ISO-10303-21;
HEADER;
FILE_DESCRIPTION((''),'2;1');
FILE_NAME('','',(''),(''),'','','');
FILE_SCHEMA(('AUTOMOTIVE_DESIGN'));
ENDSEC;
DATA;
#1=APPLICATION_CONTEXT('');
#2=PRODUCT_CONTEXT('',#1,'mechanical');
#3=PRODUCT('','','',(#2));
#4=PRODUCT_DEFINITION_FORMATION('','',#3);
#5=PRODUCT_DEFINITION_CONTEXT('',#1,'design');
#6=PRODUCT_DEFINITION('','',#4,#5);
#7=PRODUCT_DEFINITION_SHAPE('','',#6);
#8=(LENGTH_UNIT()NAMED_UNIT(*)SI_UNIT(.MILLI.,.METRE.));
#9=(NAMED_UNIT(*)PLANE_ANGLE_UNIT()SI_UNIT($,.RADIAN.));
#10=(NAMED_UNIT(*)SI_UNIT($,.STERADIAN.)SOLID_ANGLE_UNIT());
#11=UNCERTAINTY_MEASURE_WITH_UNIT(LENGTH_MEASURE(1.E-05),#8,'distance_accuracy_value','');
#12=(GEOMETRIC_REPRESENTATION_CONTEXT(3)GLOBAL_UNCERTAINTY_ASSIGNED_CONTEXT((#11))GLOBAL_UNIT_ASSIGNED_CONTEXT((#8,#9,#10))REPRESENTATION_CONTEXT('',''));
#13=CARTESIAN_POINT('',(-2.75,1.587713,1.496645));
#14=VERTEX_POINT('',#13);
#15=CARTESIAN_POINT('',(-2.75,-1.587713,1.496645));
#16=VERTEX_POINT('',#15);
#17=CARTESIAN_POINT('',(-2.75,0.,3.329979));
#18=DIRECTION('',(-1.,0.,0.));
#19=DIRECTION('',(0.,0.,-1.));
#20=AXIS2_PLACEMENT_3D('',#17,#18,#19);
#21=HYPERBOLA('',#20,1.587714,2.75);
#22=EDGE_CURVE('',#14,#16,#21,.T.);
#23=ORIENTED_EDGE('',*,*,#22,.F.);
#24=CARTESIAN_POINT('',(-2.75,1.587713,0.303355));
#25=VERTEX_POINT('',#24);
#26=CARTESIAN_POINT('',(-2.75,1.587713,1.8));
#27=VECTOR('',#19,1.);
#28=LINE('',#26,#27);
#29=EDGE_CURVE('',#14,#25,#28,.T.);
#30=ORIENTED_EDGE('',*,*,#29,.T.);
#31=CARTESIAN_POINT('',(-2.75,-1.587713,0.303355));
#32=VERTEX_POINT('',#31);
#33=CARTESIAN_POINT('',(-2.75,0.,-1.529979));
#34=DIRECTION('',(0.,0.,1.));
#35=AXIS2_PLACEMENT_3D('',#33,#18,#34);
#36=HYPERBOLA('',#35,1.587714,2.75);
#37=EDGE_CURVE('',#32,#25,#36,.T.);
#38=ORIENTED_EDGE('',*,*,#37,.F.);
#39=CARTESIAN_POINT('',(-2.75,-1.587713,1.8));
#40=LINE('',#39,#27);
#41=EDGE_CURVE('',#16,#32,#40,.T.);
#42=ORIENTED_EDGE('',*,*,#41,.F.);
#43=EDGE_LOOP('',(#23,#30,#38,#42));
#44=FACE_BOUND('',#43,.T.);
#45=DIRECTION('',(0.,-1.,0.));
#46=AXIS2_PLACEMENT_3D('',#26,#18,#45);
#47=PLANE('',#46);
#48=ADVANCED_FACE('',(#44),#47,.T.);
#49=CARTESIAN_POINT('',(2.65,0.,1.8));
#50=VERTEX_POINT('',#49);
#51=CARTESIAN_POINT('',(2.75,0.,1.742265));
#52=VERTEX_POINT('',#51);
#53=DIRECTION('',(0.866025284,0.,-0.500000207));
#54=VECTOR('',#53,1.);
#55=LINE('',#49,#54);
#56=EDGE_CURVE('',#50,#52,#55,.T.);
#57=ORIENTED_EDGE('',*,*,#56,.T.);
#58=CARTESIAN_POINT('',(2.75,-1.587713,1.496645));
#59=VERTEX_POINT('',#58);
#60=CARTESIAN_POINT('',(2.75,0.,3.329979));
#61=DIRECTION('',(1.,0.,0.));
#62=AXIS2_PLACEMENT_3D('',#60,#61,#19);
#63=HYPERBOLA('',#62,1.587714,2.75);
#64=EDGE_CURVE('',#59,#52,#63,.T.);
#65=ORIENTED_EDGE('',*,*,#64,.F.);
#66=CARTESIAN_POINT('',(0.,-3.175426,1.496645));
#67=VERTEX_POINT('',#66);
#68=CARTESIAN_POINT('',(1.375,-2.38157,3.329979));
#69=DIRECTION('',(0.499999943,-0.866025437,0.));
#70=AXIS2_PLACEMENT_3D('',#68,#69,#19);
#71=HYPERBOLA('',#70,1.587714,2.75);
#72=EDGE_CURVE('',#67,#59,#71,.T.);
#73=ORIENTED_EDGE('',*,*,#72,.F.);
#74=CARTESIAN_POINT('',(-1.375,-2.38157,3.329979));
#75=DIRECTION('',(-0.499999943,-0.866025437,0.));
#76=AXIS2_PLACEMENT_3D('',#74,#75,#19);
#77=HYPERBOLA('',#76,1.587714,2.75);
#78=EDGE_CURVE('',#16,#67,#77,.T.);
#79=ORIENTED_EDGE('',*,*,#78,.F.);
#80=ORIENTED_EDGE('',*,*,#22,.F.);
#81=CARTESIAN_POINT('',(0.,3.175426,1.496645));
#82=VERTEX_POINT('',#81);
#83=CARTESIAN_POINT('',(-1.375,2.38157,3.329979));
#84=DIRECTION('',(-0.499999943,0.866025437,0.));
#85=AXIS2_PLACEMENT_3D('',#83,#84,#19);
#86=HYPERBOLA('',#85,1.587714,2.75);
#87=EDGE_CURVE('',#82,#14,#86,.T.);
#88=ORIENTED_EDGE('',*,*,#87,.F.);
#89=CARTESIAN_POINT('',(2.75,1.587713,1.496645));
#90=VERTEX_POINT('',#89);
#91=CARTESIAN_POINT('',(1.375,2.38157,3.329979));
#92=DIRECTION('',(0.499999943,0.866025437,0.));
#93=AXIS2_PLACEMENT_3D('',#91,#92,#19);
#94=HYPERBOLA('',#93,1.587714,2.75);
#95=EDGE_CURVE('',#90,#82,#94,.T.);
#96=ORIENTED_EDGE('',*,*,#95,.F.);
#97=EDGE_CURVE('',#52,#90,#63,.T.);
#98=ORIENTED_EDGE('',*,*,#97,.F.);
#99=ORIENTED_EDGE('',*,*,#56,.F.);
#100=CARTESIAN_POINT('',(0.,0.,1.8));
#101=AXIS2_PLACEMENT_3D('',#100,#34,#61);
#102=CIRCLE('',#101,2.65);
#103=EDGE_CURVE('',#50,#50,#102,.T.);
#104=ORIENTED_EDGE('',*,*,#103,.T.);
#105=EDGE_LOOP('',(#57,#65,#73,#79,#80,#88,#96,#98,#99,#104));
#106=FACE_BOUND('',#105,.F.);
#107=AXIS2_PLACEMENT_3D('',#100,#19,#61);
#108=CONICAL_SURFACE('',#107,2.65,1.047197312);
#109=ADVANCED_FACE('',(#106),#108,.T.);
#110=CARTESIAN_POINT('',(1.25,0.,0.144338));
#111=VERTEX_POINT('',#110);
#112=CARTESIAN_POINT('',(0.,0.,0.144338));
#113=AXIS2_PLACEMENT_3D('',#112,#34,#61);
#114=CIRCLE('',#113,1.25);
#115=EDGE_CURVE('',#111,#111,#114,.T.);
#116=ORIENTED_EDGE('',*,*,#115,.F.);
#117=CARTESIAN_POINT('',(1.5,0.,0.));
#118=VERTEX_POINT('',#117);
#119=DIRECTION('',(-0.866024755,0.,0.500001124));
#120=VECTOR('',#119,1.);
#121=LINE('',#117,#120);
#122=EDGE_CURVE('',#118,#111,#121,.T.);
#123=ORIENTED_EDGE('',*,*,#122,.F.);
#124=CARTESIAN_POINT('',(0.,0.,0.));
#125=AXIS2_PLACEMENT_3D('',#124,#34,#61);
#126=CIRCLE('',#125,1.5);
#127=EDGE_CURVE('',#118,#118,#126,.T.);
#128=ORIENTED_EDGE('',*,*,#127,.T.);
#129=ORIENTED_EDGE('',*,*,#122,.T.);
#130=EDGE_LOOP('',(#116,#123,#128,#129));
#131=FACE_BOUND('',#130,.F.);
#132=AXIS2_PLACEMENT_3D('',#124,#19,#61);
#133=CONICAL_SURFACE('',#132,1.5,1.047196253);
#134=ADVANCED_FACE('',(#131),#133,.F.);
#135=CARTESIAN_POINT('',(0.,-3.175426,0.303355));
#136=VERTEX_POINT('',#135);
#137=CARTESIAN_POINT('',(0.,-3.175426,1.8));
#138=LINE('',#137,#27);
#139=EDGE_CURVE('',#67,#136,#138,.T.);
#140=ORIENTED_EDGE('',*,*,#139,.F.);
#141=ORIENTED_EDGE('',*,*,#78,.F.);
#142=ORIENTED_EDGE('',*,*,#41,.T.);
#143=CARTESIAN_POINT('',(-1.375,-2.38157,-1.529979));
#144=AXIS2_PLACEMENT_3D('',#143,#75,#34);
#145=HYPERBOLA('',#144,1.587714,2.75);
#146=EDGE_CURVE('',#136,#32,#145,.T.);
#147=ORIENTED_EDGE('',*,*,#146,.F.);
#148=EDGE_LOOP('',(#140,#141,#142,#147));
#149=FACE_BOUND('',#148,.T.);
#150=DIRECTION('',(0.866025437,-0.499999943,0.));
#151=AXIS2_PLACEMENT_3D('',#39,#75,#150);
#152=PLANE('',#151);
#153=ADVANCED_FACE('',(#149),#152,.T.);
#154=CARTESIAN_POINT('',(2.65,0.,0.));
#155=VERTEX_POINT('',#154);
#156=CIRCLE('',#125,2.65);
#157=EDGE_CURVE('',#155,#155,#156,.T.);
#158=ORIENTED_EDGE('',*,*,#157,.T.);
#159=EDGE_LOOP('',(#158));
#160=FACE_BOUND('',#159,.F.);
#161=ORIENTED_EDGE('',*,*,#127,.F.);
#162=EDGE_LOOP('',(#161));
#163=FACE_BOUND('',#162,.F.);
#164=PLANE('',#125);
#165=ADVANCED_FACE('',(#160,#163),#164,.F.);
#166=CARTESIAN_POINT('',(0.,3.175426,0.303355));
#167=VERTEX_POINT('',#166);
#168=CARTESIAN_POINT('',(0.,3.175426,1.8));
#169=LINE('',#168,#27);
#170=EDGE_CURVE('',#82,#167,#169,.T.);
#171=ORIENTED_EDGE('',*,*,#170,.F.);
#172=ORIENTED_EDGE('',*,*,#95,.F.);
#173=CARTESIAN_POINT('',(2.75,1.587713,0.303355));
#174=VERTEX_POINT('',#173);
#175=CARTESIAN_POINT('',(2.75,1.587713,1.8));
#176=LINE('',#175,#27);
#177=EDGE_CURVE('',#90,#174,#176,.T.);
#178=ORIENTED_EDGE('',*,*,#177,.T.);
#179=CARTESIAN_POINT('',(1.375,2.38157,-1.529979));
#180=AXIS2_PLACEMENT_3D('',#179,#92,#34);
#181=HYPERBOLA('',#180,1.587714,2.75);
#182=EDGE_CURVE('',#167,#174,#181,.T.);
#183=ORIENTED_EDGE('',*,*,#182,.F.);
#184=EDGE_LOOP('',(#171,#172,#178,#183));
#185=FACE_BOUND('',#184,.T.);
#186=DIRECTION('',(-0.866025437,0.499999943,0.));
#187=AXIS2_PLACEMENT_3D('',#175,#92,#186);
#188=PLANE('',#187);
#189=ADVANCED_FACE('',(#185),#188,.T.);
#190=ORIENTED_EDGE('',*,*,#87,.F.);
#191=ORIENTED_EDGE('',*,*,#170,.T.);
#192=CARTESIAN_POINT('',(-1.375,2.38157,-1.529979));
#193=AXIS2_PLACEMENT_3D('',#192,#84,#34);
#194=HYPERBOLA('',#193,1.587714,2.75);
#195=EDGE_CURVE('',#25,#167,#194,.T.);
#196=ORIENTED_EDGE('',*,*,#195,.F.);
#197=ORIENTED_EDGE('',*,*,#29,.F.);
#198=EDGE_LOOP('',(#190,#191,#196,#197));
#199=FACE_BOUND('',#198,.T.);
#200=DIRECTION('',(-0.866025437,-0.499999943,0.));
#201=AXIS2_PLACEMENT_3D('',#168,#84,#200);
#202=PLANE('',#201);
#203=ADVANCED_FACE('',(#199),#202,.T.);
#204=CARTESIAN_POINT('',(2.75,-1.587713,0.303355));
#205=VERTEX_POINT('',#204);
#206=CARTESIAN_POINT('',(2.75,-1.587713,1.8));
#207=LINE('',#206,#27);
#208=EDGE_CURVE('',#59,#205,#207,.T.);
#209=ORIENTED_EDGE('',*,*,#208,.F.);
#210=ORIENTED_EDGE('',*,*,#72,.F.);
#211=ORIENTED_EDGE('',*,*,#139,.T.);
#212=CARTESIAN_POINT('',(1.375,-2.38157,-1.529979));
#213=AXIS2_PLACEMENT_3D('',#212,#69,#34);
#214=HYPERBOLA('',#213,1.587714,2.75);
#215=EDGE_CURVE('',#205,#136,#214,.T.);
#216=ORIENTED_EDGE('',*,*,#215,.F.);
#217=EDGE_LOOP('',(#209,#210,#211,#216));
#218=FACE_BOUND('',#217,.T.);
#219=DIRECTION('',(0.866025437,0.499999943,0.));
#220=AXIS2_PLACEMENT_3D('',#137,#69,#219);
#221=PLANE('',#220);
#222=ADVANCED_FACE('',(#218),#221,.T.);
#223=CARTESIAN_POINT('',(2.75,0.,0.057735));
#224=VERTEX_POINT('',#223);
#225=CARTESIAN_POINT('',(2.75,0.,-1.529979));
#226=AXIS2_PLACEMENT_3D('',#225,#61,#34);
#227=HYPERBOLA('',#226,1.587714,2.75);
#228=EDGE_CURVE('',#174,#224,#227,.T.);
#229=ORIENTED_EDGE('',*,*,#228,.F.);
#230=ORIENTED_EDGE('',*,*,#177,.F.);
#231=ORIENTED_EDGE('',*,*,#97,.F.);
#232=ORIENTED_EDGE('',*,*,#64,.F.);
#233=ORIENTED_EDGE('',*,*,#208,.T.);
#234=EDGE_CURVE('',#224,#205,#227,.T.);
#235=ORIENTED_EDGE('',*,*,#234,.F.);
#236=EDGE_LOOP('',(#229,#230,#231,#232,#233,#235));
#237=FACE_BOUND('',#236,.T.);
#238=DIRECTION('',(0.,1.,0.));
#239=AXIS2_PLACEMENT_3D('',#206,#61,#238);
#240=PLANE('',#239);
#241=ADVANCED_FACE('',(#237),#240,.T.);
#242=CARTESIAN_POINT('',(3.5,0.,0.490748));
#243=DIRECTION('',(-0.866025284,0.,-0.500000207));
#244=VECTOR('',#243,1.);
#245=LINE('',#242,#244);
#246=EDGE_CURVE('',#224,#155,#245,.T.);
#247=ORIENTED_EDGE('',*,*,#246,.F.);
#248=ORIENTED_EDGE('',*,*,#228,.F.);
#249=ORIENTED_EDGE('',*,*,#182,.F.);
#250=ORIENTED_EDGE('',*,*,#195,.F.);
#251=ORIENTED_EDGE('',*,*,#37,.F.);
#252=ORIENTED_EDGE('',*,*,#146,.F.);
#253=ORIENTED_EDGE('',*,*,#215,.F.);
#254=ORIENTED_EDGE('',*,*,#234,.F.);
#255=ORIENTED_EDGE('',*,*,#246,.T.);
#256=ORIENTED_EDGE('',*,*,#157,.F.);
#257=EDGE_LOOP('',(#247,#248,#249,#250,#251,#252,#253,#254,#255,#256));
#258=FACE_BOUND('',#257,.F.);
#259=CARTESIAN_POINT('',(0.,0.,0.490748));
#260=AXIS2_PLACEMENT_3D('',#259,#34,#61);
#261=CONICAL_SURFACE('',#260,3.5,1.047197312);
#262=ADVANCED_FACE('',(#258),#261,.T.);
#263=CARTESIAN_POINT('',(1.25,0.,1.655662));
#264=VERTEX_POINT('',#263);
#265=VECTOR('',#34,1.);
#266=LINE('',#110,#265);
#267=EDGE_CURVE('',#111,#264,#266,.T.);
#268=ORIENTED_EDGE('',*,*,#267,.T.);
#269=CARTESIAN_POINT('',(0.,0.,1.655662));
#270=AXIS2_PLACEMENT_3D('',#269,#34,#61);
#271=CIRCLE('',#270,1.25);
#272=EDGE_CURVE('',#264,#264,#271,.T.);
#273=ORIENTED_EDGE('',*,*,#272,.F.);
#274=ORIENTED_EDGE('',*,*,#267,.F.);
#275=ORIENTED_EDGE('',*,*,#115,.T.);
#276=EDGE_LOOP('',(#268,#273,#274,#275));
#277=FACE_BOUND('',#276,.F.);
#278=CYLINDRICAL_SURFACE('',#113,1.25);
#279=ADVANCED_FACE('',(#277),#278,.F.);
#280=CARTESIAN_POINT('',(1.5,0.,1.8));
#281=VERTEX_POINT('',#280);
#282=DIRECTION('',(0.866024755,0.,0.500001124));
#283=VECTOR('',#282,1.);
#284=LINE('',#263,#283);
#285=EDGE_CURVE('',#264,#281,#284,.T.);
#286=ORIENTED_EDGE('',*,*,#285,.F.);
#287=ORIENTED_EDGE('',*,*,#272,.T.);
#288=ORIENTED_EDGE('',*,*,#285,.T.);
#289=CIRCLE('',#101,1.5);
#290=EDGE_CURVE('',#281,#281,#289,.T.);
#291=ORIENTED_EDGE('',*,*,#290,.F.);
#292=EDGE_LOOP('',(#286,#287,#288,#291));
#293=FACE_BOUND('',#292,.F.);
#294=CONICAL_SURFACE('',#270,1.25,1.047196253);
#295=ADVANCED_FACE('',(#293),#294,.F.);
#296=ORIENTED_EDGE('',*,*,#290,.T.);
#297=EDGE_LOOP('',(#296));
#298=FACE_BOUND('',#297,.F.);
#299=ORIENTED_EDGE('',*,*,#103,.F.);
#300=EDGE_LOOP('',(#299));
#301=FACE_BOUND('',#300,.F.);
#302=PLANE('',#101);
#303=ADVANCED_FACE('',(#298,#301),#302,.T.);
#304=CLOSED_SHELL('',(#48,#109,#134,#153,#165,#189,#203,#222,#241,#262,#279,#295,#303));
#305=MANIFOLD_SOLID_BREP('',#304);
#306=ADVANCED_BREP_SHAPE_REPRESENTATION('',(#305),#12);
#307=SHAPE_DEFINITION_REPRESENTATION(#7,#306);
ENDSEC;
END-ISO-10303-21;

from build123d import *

# Parameters (mm, degrees)
SKETCH001_R  = 3.5
POCKET_DEPTH = 1.8


with BuildPart() as part:
    # Sketch → Revolution (revolve)
    with BuildSketch(Plane.XZ):
        Polygon((1.5, 0), (1.25, 0.144338), (1.25, 1.655662), (1.5, 1.8), (2.65, 1.8), (3.5, 1.309252), (3.5, 0.490748), (2.65, 0), align=None)
    revolve(axis=Axis((0, 0, 0), (0, 0, 1)))

    # Sketch001 → Pocket (cut)
    with BuildSketch(Plane(origin=(0, 0, 1.8), x_dir=(-1, 0, 0), z_dir=(0, 0, 1))):
        Circle(SKETCH001_R)
        Polygon((-2.75, 1.587713), (-2.75, -1.587713), (0, -3.175426), (2.75, -1.587713), (2.75, 1.587713), (0, 3.175426), align=None, mode=Mode.SUBTRACT)
    extrude(amount=-POCKET_DEPTH, mode=Mode.SUBTRACT)


solid = part.part
